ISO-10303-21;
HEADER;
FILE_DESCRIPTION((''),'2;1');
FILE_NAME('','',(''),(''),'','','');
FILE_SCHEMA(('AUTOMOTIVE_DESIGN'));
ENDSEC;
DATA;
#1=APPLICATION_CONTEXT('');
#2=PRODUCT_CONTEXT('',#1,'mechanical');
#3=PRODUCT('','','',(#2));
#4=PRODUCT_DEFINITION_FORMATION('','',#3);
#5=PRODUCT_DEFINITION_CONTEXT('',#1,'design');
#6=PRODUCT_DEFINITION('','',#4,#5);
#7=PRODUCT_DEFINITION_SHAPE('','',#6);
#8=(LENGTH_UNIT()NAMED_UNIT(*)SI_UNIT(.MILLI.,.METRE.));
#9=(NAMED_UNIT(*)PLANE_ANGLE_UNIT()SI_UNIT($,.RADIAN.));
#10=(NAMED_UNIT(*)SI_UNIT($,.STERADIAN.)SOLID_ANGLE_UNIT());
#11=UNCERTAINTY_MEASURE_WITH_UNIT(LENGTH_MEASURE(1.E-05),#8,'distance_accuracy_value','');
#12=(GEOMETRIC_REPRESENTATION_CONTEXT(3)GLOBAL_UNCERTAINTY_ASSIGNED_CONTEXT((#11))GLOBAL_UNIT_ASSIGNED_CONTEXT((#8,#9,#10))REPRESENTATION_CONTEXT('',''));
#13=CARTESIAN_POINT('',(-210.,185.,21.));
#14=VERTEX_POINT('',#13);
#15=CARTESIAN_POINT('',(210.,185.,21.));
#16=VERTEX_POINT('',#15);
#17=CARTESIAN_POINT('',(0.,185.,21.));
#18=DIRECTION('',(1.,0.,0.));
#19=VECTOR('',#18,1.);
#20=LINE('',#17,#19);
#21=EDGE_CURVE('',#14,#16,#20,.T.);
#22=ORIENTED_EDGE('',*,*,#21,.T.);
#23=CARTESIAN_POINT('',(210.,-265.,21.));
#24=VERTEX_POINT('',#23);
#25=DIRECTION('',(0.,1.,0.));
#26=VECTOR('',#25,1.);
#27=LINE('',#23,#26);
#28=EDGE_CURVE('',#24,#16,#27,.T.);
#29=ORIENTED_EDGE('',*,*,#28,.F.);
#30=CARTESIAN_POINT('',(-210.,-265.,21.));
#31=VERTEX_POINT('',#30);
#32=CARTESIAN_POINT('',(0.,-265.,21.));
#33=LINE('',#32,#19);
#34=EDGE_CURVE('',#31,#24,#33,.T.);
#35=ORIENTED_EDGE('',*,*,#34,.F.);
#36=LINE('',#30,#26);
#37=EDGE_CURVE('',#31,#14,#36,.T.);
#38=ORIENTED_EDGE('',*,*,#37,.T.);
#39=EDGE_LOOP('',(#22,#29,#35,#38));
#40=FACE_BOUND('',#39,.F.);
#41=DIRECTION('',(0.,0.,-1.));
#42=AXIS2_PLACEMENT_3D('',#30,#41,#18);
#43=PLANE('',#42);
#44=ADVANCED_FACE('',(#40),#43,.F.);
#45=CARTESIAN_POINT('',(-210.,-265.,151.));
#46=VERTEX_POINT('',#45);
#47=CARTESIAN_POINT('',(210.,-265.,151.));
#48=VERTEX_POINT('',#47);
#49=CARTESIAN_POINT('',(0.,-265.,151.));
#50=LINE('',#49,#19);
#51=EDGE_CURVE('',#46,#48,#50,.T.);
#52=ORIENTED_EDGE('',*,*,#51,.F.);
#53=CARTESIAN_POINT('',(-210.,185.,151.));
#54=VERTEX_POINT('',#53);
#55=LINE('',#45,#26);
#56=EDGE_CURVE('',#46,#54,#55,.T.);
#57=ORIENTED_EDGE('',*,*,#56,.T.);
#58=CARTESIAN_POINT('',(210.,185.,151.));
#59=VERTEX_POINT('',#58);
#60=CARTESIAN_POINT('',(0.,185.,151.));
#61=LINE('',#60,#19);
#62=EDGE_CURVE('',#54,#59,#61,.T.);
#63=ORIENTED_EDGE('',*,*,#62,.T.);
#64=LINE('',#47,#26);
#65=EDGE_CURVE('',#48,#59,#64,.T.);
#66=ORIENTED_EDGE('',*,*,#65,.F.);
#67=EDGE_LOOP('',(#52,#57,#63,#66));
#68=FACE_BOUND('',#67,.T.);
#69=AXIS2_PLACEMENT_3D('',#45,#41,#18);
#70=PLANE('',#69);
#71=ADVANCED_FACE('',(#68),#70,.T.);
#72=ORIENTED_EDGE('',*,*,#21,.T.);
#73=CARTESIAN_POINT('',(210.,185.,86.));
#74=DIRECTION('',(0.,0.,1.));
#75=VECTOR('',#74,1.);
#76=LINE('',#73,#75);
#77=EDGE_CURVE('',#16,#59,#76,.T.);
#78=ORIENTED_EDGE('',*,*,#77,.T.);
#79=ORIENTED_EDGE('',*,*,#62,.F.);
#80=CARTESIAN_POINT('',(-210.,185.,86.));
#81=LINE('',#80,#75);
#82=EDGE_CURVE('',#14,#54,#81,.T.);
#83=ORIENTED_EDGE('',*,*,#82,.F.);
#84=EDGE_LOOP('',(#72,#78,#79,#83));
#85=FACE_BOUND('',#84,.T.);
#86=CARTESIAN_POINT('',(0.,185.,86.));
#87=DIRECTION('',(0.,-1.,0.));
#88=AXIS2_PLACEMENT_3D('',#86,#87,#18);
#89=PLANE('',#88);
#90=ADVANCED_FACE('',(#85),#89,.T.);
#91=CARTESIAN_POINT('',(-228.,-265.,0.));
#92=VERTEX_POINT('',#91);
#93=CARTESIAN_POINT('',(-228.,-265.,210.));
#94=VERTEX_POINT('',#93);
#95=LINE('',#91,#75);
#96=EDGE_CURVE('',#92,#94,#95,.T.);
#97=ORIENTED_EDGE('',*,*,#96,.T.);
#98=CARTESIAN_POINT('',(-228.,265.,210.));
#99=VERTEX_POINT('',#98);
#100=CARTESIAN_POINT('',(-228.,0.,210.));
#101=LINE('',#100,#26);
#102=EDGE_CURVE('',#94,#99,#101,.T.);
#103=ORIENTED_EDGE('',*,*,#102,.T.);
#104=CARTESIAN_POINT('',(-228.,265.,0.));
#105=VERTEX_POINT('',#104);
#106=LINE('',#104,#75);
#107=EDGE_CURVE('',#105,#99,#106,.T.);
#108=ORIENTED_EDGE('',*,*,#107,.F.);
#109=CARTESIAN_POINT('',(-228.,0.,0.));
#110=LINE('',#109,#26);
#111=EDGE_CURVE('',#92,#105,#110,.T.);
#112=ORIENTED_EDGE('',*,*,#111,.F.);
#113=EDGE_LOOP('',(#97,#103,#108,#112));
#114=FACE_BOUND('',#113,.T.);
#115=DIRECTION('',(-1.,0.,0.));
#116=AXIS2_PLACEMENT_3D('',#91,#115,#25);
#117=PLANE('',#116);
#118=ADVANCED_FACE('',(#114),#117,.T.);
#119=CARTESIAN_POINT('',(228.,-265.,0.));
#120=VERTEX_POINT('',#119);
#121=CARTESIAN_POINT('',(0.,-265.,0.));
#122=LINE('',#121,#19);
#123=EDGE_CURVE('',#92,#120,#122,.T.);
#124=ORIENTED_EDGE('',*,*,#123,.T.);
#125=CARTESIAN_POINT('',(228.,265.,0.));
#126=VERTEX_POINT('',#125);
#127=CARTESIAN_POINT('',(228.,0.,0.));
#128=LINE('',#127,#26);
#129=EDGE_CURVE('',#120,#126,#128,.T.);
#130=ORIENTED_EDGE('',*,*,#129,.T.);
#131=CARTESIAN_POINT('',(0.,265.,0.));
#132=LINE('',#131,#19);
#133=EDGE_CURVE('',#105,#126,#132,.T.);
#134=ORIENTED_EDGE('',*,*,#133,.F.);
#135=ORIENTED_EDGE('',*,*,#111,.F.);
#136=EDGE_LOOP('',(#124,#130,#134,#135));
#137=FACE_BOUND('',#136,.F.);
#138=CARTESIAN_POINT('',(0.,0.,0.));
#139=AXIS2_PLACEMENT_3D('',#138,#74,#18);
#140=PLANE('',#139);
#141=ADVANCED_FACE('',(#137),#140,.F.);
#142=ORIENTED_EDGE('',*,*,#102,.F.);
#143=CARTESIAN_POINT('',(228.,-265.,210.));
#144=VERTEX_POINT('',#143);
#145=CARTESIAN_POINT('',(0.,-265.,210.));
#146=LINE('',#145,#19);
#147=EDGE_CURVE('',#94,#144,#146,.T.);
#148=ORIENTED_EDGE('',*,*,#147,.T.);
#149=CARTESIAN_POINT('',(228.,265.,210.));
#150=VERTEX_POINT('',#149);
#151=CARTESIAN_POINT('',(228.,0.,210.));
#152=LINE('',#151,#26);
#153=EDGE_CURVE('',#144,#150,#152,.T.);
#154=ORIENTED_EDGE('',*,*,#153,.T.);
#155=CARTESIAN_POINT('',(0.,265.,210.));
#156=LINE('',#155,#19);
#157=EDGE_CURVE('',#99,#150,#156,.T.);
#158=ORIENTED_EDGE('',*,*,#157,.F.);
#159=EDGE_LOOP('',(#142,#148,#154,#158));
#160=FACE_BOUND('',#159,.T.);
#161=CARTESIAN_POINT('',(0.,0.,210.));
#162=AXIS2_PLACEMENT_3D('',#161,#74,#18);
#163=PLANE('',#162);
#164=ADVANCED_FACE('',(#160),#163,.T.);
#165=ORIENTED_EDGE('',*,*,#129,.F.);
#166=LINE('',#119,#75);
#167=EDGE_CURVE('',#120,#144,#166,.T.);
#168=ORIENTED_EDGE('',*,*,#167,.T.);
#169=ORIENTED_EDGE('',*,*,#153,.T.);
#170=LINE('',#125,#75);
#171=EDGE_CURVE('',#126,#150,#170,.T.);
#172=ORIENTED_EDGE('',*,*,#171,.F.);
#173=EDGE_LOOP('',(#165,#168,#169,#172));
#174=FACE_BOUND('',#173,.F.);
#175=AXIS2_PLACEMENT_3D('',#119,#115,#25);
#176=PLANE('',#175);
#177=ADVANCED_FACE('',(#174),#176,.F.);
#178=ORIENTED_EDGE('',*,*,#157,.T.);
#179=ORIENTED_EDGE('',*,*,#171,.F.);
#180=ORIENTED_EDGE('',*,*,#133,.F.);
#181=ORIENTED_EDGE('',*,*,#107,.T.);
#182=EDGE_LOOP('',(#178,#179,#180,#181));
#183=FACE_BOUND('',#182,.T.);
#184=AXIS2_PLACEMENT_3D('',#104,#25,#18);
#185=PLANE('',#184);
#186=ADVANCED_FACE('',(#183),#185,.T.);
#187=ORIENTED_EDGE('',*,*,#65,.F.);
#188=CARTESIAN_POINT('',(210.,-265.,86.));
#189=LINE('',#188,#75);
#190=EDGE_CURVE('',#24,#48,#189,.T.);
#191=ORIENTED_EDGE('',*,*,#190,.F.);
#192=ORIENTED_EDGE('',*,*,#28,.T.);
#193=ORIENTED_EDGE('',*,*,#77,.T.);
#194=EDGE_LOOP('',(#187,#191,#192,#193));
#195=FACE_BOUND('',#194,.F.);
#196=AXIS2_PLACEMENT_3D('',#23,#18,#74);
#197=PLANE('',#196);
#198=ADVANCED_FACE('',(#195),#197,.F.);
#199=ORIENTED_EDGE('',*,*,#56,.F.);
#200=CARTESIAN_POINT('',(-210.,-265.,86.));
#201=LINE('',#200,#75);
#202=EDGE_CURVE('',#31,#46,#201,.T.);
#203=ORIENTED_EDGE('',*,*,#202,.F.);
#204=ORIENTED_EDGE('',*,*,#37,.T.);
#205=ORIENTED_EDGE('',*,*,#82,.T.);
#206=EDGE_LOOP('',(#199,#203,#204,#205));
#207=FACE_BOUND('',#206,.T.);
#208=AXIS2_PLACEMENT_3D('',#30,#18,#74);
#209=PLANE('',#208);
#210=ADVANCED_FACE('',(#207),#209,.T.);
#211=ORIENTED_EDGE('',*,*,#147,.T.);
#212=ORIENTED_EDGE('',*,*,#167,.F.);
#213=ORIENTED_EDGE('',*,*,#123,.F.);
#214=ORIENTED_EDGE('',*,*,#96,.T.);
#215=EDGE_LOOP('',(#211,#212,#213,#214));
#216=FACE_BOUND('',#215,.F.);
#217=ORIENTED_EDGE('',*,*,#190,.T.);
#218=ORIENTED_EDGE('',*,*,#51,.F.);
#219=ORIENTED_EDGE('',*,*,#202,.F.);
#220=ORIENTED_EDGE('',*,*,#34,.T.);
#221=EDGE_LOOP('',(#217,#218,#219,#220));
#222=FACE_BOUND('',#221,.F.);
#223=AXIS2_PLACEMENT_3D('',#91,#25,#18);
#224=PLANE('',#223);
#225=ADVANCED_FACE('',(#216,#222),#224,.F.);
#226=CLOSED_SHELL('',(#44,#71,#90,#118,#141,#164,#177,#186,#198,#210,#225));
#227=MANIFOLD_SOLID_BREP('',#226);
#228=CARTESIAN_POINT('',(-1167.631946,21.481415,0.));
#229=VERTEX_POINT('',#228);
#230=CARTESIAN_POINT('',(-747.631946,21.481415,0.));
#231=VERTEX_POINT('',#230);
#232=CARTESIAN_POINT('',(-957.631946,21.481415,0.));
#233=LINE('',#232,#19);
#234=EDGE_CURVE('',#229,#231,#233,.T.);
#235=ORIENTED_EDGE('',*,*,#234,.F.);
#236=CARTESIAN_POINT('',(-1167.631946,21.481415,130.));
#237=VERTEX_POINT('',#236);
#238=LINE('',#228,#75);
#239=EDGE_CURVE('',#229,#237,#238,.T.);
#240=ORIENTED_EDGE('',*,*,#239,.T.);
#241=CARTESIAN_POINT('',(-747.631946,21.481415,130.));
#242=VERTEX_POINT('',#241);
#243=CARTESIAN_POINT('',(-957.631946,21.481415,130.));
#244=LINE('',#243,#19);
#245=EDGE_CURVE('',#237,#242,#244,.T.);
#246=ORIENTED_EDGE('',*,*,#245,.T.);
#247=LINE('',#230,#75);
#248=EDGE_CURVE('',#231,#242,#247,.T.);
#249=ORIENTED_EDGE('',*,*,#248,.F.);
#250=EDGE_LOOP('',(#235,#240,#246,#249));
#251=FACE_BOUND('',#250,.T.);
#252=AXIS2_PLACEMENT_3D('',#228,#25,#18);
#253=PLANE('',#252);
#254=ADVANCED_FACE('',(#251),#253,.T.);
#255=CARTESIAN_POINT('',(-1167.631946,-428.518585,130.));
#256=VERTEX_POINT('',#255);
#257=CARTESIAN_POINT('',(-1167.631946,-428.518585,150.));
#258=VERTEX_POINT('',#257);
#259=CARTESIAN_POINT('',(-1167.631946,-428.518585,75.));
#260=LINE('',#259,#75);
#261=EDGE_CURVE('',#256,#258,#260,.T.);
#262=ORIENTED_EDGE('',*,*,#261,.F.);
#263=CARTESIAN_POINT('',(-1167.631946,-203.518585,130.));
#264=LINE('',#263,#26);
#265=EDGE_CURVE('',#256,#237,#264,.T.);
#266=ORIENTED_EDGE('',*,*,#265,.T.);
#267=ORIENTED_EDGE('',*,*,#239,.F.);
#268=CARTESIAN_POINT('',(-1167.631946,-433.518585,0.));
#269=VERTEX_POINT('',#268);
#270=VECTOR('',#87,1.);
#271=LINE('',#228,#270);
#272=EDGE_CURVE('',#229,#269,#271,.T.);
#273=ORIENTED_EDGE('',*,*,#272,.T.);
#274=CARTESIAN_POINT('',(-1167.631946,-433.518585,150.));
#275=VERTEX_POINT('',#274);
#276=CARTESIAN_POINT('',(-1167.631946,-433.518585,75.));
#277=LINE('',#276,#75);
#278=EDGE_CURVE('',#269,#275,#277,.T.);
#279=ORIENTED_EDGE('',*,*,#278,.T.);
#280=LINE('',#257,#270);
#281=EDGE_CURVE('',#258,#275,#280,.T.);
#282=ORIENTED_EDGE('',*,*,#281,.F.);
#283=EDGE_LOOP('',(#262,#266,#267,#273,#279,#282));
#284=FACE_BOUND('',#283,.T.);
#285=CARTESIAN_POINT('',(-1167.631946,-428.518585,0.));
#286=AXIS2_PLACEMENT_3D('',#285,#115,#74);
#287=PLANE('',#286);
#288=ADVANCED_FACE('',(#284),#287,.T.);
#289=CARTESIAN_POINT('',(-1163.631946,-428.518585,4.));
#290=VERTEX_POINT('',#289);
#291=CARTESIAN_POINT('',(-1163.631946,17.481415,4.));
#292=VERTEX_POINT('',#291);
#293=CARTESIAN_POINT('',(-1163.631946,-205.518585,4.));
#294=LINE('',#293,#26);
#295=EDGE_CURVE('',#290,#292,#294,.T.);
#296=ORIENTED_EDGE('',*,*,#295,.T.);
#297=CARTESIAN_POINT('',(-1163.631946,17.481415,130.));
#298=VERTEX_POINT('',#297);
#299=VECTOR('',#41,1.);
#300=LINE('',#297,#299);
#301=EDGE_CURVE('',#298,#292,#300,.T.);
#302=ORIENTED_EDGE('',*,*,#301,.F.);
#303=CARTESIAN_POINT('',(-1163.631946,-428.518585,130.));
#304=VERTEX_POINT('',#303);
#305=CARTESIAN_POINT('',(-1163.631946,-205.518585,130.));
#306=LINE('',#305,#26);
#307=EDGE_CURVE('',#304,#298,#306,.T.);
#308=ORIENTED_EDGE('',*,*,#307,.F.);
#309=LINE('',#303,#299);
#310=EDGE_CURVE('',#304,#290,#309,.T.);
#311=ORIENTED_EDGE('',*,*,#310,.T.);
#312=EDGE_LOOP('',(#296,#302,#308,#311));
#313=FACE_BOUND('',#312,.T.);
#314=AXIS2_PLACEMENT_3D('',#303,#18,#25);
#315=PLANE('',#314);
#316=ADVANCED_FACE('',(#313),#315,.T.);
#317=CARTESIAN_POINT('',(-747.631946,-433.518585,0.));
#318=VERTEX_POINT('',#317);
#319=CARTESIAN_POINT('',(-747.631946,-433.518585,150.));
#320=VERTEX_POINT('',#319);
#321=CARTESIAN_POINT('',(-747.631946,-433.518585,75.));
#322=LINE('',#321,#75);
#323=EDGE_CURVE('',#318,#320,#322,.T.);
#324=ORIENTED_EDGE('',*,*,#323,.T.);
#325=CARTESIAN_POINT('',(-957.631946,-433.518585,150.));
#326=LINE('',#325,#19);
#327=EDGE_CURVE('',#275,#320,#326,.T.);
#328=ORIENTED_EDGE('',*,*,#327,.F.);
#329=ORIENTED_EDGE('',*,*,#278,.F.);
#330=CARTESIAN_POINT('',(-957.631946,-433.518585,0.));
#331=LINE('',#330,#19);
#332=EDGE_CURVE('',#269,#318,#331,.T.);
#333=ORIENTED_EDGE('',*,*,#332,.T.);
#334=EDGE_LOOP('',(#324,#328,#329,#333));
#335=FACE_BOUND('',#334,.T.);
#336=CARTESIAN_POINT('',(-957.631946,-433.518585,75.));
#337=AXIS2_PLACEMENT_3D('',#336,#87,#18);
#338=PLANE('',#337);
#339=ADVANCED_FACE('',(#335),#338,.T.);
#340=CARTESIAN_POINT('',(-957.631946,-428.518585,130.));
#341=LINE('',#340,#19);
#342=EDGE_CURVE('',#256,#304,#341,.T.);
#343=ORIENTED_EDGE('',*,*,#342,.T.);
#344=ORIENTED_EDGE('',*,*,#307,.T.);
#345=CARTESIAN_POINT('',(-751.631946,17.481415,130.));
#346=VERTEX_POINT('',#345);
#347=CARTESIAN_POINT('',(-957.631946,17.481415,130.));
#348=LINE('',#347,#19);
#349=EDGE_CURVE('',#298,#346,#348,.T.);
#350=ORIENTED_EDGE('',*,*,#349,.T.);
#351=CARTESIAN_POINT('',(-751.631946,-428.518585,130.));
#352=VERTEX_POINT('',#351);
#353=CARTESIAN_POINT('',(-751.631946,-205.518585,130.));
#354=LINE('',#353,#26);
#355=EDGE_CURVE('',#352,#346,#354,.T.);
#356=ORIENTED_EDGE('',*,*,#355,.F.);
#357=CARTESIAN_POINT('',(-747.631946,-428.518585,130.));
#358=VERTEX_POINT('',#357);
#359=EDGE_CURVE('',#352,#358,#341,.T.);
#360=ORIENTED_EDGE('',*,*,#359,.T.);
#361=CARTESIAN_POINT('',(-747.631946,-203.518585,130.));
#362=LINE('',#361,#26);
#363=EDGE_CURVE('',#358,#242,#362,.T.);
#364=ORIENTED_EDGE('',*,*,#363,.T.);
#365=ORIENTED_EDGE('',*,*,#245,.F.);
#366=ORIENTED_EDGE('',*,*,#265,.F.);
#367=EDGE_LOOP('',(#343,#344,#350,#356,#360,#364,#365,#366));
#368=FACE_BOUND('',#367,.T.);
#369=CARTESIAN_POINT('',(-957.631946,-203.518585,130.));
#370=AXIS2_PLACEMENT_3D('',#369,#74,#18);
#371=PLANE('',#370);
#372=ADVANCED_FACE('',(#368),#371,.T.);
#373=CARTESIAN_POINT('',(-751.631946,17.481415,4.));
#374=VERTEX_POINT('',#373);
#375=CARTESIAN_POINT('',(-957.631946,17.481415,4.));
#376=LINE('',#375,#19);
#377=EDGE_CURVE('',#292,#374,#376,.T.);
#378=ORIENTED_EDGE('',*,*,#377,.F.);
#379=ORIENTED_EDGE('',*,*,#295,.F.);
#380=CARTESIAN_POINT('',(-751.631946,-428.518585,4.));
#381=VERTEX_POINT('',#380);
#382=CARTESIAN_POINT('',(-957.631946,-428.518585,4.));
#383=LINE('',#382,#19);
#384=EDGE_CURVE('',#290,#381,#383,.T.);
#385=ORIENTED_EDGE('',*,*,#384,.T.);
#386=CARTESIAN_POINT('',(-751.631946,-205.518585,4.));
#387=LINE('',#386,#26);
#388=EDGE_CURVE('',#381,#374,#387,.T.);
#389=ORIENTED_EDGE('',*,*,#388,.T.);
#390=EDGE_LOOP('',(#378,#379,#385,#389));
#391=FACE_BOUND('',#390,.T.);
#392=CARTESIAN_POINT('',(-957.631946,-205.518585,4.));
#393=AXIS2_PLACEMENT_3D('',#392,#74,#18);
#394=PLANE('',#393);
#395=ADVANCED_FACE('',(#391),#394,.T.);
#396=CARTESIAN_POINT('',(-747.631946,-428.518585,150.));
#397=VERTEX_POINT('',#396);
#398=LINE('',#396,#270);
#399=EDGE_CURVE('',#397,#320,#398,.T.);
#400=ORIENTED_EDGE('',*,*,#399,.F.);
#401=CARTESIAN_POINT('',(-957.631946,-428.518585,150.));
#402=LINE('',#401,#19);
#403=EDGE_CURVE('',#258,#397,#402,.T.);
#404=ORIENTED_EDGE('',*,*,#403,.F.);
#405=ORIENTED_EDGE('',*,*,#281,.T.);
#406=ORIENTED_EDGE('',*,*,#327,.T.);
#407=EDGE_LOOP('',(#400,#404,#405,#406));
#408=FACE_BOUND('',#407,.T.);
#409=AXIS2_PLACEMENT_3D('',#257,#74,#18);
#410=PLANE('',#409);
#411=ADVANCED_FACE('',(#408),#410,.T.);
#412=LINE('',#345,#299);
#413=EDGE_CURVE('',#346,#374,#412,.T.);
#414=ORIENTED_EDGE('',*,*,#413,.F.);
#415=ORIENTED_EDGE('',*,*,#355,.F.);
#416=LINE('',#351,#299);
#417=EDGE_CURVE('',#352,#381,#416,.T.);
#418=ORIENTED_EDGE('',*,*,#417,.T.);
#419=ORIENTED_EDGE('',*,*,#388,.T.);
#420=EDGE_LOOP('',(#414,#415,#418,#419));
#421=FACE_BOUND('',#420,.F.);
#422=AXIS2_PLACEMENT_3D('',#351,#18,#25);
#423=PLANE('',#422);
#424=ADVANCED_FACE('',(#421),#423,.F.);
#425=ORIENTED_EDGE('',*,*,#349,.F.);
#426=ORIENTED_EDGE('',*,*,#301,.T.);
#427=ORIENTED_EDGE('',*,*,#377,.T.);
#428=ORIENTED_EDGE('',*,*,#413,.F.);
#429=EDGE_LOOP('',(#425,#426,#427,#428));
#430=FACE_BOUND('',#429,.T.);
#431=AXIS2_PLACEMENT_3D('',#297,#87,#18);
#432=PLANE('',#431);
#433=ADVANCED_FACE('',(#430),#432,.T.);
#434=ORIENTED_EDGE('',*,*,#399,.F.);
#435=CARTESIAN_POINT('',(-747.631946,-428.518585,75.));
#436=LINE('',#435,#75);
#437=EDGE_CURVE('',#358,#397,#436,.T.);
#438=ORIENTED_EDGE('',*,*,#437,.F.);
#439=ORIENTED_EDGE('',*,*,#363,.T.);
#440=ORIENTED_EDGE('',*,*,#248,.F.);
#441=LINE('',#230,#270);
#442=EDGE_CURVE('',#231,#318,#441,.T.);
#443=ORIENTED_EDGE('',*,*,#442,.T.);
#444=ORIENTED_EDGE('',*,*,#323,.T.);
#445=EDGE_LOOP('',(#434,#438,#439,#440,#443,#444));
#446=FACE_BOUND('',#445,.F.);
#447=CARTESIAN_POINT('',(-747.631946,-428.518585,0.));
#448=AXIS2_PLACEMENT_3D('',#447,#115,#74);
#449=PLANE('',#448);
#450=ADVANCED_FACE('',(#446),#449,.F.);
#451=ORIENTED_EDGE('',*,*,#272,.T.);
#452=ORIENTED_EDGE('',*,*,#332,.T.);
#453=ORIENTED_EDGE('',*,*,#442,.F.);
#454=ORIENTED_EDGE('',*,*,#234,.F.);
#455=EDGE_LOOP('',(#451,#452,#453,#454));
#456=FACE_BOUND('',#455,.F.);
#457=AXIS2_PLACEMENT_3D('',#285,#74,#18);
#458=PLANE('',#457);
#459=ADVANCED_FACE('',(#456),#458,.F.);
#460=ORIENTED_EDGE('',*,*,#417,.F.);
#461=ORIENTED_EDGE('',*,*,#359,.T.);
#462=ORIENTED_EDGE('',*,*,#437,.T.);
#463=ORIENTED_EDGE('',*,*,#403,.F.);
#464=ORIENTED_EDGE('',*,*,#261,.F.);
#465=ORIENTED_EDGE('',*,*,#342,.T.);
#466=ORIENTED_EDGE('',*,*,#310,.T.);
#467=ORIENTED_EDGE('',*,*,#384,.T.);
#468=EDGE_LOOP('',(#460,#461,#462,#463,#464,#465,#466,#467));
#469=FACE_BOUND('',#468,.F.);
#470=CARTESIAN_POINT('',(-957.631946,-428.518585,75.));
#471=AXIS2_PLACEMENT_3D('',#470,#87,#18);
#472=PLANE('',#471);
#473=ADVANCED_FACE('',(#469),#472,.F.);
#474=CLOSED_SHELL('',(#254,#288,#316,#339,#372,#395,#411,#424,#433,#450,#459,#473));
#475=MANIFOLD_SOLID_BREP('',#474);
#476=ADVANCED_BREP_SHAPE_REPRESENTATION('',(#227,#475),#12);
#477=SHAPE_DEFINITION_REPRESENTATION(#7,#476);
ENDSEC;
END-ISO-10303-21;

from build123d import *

# Parameters (mm, degrees)
F0_W     = 456
F0_H     = 530
F1_DEPTH = 210
F2_W     = 420
F2_H     = 130
F3_DEPTH = 450
F4_W     = 420
F4_H     = 450
F5_DEPTH = 130
F6_W     = 412
F6_H     = 446
F7_DEPTH = 126
F8_W     = 420
F8_H     = 150
F9_DEPTH = 5


with BuildPart() as f1:
    # F0 (on Top) → F1 (new body)
    with BuildSketch(Plane.XY):
        Rectangle(F0_W, F0_H)
    extrude(amount=F1_DEPTH)

    # F2 (on face) → F3 (cut)
    with BuildSketch(Plane.XZ.offset(265)):
        with Locations((0, 86)):
            Rectangle(F2_W, F2_H)
    extrude(amount=-F3_DEPTH, mode=Mode.SUBTRACT)


with BuildPart() as f5:
    # F4 (on Top) → F5 (new body)
    with BuildSketch(Plane.XY):
        with Locations((-957.631946, -203.518585)):
            Rectangle(F4_W, F4_H)
    extrude(amount=F5_DEPTH)

    # F6 (on face) → F7 (cut)
    with BuildSketch(Plane.XY.offset(130)):
        with Locations((-957.631946, -205.518585)):
            Rectangle(F6_W, F6_H)
    extrude(amount=-F7_DEPTH, mode=Mode.SUBTRACT)

    # F8 (on face) → F9 (join)
    with BuildSketch(Plane.XZ.offset(428.518585)):
        with Locations((-957.631946, 75)):
            Rectangle(F8_W, F8_H)
    extrude(amount=F9_DEPTH)


solid = Compound([f1.part, f5.part])
